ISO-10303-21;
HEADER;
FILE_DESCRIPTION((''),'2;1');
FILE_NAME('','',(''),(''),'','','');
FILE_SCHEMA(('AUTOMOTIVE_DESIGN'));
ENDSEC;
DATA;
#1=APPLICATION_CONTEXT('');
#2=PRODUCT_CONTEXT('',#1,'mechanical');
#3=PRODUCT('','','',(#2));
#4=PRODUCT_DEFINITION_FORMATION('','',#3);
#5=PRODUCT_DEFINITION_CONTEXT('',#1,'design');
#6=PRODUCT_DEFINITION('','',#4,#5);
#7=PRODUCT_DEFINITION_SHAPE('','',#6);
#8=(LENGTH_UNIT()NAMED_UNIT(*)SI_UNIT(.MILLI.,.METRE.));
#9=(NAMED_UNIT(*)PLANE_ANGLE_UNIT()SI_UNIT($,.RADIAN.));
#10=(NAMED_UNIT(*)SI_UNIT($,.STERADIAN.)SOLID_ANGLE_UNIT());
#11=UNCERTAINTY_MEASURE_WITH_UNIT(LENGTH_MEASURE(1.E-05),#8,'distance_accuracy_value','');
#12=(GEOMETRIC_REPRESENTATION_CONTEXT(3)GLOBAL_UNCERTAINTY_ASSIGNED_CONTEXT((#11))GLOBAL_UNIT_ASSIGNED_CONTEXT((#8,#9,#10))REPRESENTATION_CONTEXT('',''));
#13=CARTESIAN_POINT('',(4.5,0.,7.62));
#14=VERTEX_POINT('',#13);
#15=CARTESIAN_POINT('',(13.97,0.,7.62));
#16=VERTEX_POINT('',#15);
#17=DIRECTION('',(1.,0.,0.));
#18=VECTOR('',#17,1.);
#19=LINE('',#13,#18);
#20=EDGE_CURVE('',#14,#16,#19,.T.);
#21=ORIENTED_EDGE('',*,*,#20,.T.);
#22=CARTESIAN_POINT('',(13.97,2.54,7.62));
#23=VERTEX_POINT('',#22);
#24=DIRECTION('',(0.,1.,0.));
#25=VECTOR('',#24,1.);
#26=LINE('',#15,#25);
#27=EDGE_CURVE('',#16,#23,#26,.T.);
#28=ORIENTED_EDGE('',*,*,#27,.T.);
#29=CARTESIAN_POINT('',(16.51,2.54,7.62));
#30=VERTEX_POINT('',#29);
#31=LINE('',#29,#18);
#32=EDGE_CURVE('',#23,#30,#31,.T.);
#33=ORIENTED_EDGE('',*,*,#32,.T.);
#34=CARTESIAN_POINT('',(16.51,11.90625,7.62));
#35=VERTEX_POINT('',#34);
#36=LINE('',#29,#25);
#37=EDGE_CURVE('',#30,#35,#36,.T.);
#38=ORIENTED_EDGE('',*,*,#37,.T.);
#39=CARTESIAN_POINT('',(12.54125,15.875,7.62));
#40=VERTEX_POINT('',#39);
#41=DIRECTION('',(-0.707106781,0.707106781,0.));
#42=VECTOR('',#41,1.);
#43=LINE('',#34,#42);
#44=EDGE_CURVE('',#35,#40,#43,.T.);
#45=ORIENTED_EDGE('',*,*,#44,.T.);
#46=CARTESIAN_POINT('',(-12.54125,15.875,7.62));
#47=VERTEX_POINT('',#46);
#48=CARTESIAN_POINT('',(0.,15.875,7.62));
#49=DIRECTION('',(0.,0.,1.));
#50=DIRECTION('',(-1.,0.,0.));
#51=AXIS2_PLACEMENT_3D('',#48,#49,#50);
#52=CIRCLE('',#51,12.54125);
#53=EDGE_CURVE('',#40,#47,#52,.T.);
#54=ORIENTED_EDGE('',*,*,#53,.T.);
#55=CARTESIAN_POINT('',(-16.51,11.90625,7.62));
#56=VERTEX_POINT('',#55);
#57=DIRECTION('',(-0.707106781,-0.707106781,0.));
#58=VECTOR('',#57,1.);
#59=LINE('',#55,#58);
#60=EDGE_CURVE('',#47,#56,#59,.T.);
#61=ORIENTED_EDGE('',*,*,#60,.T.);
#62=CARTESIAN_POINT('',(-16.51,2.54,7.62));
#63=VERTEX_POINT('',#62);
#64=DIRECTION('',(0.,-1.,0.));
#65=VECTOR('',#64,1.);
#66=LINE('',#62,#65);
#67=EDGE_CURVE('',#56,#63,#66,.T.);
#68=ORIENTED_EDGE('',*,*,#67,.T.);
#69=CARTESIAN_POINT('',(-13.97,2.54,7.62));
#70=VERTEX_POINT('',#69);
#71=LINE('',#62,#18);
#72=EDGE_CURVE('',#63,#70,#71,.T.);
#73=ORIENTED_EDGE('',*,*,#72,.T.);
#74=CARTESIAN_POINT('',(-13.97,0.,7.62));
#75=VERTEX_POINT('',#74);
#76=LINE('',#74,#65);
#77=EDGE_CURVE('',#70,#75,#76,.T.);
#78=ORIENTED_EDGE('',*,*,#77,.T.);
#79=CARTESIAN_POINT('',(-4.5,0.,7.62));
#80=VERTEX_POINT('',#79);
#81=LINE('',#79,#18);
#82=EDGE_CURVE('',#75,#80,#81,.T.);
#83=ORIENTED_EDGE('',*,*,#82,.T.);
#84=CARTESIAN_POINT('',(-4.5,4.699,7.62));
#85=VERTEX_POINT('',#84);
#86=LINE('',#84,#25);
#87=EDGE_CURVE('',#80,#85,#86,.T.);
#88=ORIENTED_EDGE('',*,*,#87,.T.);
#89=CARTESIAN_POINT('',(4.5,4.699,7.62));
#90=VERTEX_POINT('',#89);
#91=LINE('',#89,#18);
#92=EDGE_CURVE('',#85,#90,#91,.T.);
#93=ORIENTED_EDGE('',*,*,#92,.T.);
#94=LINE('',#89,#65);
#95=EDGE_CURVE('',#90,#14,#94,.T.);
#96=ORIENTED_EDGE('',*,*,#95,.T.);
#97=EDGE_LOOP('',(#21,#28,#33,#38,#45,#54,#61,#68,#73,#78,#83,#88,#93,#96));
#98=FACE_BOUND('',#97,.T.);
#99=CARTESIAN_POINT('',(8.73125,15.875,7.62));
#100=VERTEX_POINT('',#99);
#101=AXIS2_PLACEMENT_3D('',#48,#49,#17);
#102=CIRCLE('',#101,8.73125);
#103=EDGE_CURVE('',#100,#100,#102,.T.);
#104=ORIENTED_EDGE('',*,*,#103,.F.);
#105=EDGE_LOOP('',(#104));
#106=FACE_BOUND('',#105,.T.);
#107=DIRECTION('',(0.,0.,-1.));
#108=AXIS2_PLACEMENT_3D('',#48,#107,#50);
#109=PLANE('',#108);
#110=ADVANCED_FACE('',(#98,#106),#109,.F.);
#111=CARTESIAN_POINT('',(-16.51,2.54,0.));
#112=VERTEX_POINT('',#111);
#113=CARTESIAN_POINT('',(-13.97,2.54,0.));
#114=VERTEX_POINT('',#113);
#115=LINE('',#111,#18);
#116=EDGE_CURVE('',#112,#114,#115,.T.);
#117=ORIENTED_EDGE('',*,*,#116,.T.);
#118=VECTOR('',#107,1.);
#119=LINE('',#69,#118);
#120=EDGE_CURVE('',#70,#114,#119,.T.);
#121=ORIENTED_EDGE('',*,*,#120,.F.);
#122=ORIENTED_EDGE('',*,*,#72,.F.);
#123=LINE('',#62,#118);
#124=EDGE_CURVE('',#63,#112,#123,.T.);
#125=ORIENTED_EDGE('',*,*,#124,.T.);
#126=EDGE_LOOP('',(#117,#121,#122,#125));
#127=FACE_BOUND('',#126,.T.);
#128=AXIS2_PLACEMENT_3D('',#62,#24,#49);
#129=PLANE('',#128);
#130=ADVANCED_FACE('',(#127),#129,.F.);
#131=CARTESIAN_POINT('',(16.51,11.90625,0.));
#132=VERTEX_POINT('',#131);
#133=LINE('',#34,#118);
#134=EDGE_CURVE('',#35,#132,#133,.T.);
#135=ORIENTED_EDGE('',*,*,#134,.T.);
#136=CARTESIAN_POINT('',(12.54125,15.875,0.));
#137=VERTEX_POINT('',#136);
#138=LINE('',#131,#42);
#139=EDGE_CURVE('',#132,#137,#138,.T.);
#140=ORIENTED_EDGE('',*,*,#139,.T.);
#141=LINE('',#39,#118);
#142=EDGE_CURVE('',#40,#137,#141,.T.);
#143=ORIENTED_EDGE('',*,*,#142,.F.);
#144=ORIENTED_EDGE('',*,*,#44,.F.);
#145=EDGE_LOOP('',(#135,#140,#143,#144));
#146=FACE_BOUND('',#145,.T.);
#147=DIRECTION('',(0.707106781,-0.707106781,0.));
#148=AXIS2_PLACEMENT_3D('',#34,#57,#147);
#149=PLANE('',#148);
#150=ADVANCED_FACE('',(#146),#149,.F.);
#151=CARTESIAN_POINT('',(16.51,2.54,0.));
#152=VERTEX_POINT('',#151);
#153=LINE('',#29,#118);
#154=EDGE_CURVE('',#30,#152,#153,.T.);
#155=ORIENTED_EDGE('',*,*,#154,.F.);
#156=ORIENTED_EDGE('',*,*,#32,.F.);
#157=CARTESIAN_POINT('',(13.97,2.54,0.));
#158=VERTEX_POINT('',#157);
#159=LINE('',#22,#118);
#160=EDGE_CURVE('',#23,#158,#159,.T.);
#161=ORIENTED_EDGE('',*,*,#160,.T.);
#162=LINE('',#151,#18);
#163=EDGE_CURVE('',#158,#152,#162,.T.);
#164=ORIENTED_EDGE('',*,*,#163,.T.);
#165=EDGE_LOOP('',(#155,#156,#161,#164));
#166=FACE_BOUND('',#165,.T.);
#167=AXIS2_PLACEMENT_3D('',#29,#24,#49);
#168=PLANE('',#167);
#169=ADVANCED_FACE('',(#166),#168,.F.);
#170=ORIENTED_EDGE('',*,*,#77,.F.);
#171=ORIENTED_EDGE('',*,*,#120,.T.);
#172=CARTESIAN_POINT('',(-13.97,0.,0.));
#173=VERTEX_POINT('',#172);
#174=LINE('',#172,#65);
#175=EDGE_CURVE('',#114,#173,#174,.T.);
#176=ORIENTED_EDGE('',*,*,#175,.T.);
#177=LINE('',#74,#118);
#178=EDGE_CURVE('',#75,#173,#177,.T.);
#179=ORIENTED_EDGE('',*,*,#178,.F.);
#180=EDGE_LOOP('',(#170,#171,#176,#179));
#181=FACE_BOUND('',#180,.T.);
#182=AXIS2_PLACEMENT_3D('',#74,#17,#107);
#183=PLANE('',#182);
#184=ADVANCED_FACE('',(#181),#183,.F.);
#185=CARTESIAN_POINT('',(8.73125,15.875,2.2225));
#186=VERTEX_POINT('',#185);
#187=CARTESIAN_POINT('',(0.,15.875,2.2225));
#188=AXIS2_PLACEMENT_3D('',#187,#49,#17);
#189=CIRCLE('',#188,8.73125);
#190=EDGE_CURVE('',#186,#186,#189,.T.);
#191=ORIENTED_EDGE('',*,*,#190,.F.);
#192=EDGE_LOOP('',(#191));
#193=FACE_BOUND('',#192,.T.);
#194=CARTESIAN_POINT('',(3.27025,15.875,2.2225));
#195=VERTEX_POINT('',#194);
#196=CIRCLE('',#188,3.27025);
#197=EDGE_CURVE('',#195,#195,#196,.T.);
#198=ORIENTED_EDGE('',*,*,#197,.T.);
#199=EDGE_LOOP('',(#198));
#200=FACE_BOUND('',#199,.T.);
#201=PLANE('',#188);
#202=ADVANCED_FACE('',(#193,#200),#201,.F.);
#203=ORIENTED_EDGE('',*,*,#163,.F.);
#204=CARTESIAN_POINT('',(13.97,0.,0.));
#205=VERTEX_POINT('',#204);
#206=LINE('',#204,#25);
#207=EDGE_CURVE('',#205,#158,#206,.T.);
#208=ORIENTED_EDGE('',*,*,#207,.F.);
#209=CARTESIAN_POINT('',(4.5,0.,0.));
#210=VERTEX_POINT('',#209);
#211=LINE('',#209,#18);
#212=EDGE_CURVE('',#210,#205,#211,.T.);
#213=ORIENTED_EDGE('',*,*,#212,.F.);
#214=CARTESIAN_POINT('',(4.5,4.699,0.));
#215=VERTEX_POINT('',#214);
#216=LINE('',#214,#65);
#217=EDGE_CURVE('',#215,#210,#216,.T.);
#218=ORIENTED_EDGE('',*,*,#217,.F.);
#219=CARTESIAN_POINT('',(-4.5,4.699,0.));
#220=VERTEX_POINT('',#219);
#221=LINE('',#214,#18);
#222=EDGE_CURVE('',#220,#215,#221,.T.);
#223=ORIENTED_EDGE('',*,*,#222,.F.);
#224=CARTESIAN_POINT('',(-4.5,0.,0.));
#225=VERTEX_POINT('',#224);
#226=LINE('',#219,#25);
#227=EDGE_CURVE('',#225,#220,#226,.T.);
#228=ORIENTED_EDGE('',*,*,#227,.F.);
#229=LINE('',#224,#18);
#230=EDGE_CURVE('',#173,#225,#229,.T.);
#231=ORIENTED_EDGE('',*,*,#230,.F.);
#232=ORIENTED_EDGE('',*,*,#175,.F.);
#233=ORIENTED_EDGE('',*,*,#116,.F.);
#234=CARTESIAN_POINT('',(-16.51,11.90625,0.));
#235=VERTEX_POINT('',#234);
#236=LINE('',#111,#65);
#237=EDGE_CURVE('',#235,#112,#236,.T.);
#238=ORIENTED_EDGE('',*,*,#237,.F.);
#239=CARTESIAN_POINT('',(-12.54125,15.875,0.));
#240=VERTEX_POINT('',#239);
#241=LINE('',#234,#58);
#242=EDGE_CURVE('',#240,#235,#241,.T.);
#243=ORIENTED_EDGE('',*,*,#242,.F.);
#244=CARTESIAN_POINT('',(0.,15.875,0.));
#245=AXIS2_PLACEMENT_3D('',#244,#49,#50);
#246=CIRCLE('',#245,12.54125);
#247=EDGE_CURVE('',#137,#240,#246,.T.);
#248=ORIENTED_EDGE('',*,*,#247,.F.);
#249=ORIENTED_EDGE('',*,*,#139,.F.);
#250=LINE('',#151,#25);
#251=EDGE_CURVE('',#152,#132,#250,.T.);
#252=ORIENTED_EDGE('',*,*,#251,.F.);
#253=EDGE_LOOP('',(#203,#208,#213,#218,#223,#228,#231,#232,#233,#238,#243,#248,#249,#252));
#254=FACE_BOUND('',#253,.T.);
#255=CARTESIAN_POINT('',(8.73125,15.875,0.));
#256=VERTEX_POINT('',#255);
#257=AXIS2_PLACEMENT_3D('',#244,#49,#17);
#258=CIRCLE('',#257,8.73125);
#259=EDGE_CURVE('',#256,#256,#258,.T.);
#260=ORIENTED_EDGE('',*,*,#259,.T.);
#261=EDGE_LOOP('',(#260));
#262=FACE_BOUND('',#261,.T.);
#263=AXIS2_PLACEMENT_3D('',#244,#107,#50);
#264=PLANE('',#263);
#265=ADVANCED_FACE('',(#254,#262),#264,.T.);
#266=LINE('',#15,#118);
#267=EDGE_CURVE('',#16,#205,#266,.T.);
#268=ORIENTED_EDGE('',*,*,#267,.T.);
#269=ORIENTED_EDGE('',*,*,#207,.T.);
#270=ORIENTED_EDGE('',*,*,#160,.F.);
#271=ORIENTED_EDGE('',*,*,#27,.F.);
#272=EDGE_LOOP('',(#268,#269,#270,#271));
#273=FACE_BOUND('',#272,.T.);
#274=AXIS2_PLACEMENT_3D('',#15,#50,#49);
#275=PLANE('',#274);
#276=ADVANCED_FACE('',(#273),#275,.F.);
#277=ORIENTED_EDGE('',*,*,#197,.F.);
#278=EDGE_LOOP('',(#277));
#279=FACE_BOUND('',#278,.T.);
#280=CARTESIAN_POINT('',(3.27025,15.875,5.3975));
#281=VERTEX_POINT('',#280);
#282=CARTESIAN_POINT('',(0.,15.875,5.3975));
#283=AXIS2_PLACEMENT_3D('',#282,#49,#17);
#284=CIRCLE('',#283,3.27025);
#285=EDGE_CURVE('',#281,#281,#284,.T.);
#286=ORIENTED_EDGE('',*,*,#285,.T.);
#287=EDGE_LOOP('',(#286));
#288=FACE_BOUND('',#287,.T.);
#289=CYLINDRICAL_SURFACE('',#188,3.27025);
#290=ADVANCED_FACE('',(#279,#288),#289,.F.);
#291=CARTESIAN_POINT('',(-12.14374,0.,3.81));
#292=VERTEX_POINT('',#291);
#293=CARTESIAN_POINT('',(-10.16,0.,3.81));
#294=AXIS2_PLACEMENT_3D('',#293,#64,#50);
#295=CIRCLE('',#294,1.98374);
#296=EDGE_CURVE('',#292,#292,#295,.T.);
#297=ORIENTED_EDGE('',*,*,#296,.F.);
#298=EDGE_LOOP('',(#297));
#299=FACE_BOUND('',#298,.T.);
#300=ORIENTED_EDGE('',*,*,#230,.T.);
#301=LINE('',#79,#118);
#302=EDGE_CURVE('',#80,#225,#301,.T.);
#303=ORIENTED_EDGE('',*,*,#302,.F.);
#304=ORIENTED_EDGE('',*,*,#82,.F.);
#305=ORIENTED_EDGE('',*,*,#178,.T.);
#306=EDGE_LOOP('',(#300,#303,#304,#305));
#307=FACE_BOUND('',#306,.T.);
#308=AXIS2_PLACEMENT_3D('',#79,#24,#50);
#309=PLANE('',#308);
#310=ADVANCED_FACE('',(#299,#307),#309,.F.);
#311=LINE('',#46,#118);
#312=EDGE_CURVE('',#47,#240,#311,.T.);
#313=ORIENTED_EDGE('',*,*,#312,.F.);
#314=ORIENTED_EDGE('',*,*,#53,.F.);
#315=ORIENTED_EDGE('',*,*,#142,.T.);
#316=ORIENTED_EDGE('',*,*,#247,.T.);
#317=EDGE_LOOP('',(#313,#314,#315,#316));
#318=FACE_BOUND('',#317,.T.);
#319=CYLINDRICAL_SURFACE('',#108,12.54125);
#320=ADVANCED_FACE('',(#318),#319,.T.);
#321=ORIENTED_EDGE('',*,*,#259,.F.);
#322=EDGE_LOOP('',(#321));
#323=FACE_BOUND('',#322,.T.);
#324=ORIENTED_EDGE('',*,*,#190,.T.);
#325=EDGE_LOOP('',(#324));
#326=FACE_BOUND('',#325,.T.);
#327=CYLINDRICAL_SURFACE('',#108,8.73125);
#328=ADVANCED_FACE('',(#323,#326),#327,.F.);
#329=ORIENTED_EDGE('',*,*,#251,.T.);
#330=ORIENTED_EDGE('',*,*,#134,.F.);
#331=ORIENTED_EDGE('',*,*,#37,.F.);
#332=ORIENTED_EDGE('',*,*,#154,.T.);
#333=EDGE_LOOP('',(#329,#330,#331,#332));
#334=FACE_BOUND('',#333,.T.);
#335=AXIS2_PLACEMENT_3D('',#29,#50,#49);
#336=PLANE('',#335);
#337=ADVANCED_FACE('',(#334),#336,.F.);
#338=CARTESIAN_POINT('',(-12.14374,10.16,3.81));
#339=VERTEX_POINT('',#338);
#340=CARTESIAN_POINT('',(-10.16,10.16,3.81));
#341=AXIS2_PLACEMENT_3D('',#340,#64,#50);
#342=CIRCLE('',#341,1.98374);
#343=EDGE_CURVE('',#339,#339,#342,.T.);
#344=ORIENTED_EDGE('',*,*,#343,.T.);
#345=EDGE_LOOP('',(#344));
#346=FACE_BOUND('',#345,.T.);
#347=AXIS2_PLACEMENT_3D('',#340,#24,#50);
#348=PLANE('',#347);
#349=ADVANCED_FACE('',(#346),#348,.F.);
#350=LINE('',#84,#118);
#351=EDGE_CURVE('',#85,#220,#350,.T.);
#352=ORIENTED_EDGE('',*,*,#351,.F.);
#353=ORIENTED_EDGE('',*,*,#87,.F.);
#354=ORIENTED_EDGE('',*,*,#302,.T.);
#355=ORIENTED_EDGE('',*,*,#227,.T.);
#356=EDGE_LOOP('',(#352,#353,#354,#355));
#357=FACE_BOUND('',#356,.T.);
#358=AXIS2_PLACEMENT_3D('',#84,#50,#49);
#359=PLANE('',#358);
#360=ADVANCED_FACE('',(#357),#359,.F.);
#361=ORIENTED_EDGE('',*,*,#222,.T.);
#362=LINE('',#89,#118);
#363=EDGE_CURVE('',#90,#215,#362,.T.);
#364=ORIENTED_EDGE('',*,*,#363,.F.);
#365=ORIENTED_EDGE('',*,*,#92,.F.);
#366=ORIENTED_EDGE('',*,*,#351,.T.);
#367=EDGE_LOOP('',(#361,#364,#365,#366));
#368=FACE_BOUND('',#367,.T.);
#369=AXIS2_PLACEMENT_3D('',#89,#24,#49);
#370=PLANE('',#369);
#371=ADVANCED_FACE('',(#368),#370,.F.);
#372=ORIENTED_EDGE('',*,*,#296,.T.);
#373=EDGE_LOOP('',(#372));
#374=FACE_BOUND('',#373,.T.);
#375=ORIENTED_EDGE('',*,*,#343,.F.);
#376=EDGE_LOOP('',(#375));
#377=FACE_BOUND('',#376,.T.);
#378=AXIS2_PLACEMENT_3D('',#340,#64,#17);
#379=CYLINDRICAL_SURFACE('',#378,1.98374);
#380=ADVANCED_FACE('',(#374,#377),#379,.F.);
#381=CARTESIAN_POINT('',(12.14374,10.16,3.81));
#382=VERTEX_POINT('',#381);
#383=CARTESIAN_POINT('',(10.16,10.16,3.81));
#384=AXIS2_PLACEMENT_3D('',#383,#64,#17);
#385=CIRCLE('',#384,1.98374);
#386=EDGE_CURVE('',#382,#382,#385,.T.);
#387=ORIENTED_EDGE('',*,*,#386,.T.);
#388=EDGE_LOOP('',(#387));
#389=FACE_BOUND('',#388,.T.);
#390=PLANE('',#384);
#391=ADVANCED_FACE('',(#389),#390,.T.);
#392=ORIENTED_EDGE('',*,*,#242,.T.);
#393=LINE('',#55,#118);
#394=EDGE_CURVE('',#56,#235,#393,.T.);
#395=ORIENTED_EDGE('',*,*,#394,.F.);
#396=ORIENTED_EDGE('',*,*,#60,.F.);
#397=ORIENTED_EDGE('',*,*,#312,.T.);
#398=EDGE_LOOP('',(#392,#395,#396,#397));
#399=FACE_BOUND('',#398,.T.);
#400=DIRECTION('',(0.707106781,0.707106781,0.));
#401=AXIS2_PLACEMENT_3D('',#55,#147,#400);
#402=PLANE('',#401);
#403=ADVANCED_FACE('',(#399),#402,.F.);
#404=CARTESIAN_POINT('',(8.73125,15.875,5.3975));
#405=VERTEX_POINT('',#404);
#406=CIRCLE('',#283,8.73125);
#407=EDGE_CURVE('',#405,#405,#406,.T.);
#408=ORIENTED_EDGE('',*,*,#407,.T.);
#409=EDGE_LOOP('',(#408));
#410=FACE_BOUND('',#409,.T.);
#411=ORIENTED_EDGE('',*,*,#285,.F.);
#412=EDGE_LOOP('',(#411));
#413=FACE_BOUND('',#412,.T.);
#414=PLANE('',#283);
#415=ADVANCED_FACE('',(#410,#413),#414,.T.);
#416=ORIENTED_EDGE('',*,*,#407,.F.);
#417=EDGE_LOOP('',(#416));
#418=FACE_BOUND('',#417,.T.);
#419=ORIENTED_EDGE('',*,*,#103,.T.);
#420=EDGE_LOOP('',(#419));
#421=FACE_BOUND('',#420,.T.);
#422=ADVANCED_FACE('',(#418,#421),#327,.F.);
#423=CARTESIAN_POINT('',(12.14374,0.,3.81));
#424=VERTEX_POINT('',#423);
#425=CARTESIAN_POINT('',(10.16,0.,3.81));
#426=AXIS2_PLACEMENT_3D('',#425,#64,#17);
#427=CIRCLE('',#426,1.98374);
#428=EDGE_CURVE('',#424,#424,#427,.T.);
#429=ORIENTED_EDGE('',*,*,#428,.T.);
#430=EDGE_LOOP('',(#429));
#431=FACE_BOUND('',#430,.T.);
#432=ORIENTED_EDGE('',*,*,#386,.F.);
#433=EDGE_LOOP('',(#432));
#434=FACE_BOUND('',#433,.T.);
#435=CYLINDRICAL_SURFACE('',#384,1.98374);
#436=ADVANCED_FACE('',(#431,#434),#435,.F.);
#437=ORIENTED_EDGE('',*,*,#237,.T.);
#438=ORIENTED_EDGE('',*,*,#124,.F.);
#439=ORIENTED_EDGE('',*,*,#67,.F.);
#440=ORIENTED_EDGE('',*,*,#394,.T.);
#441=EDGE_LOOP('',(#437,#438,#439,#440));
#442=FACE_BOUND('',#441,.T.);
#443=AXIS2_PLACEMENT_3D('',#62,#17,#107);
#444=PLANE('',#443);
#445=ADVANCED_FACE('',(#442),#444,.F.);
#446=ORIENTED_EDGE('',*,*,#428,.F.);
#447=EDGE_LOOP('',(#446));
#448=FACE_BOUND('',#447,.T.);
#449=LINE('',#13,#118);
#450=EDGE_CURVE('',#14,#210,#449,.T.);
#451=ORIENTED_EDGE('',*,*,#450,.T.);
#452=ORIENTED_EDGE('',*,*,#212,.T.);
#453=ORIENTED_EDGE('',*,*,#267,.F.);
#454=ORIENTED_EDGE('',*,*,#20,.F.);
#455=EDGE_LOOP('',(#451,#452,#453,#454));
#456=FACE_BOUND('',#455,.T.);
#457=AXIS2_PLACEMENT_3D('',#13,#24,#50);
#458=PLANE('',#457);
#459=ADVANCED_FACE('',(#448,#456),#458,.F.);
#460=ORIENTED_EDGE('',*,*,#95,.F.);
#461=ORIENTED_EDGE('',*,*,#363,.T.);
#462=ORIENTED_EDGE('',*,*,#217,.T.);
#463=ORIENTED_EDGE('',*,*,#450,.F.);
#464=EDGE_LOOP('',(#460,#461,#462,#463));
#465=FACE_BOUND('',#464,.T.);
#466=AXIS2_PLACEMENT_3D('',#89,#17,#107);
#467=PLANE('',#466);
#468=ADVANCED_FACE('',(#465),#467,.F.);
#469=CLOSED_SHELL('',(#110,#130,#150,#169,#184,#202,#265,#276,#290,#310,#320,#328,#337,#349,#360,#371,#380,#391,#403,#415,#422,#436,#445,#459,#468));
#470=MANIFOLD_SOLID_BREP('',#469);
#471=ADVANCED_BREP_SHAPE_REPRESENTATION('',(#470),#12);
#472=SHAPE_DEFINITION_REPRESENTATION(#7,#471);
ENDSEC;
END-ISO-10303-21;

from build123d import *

# Parameters (mm, degrees)
SKETCH1_R                = 8.73125
BOSS_EXTRUDE1_DEPTH      = 7.62
SKETCH3_R                = 8.7376
SKETCH3_R_2              = 3.27025
BOSS_EXTRUDE2_DEPTH      = 1.5875
BOSS_EXTRUDE2_DEPTH_BACK = 1.5875
SKETCH4_R                = 1.98374
CUT_EXTRUDE1_DEPTH       = 10.16


with BuildPart() as part:
    # Sketch1 → Boss-Extrude1 (new body)
    with BuildSketch(Plane.XY):
        with BuildLine():
            Line((4.5, 4.699), (-4.5, 4.699))
            Line((-4.5, 4.699), (-4.5, 0))
            Line((-4.5, 0), (-13.97, 0))
            Line((-13.97, 0), (-13.97, 2.54))
            Line((-13.97, 2.54), (-16.51, 2.54))
            Line((-16.51, 2.54), (-16.51, 11.90625))
            Line((-16.51, 11.90625), (-12.54125, 15.875))
            ThreePointArc((-12.54125, 15.875), (0, 28.41625), (12.54125, 15.875))
            Line((12.54125, 15.875), (16.51, 11.90625))
            Line((16.51, 11.90625), (16.51, 2.54))
            Line((16.51, 2.54), (13.97, 2.54))
            Line((13.97, 2.54), (13.97, 0))
            Line((13.97, 0), (4.5, 0))
            Line((4.5, 0), (4.5, 4.699))
        make_face()
        with Locations((0, 15.875)):
            Circle(SKETCH1_R, mode=Mode.SUBTRACT)
    extrude(amount=BOSS_EXTRUDE1_DEPTH)

    # Sketch3 → Boss-Extrude2 (add, two sides)
    with BuildSketch(Plane.XY.offset(3.81)) as boss_extrude2_sk:
        with Locations((0, 15.875)):
            Circle(SKETCH3_R)
        with Locations((0, 15.875)):
            Circle(SKETCH3_R_2, mode=Mode.SUBTRACT)
    extrude(amount=BOSS_EXTRUDE2_DEPTH)
    extrude(boss_extrude2_sk.sketch, amount=-BOSS_EXTRUDE2_DEPTH_BACK)

    # Sketch4 → Cut-Extrude1 (cut)
    with BuildSketch(Plane(origin=(0, 0, 0), x_dir=(-1, 0, 0), z_dir=(0, -1, 0))):
        with Locations((-10.16, -3.81)):
            Circle(SKETCH4_R)
        with Locations((10.16, -3.81)):
            Circle(SKETCH4_R)
    extrude(amount=-CUT_EXTRUDE1_DEPTH, mode=Mode.SUBTRACT)


solid = part.part
